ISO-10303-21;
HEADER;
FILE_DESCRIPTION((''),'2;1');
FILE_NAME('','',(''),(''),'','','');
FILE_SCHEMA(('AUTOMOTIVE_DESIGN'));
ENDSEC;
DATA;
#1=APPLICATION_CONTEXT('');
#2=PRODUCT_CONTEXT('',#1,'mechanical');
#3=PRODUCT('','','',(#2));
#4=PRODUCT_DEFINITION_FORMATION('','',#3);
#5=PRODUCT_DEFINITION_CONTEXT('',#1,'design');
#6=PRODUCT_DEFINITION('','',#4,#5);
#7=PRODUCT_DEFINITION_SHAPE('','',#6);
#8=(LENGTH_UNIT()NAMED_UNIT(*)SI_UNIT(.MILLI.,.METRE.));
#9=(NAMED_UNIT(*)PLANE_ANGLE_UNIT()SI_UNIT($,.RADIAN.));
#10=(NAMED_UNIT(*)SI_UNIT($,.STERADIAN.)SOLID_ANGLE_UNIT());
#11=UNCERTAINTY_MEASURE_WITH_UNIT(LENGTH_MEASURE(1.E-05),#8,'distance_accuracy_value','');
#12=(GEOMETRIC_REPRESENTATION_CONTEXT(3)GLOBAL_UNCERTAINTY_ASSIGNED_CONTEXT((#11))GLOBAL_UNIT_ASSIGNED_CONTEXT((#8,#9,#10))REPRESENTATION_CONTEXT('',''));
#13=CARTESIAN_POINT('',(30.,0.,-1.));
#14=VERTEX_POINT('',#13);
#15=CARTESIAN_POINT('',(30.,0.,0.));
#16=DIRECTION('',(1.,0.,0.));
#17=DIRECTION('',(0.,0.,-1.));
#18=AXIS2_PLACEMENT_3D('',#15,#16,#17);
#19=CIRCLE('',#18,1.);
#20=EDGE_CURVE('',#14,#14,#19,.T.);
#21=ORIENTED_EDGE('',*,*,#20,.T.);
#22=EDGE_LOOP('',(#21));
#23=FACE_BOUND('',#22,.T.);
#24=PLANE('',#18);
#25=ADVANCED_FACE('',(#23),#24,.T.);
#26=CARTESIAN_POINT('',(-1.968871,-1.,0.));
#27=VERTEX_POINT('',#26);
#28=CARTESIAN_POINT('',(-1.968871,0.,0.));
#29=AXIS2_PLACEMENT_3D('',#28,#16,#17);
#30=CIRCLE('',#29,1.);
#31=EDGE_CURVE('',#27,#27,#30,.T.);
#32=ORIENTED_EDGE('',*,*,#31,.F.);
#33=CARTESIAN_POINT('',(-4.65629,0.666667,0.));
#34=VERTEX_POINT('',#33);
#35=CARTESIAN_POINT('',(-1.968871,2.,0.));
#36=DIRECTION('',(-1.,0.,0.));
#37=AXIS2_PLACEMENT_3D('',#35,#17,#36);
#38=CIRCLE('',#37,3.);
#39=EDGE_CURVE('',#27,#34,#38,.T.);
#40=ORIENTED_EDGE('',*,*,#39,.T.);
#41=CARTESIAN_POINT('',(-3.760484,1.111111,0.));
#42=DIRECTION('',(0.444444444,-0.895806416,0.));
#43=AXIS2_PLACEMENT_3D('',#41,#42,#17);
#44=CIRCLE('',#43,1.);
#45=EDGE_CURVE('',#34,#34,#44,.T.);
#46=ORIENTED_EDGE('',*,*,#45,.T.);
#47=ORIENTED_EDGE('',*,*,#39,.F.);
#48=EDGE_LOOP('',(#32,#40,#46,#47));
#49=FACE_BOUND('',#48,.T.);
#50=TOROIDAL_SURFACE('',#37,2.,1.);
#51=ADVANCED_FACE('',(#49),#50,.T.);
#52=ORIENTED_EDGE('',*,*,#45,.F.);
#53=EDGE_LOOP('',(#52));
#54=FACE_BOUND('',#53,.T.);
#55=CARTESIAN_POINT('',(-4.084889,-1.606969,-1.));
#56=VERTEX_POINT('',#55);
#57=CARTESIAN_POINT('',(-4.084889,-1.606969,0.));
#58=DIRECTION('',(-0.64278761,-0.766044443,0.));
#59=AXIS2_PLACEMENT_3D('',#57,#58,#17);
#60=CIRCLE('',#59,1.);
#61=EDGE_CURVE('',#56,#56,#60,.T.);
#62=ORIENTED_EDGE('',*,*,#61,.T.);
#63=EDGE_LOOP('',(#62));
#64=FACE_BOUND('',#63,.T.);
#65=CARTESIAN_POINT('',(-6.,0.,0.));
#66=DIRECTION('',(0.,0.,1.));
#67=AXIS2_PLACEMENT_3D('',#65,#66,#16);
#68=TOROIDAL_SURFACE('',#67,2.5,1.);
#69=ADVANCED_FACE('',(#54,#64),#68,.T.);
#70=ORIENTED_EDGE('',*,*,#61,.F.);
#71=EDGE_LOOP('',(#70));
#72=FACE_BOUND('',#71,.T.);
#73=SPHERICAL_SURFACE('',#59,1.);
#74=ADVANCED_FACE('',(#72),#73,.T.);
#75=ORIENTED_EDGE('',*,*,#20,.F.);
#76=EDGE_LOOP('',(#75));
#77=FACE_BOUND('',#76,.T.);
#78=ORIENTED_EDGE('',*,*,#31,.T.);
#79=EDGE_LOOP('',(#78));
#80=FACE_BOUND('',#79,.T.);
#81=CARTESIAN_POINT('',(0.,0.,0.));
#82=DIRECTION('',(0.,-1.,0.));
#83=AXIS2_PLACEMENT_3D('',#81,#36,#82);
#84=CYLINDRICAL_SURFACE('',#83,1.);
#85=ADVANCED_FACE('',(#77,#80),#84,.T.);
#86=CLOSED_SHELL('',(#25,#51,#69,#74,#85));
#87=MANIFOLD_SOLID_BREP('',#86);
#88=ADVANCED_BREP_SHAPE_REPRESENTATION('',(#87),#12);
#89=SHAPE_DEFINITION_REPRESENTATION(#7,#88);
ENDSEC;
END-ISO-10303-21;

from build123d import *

# Parameters (mm, degrees)
SKETCH2_R           = 1
SKETCH3_R           = 1
BOSS_EXTRUDE1_DEPTH = 30
DOME1_FACE_RADIUS   = 1
DOME1_HEIGHT        = 1


with BuildPart() as part:
    # Sweep1: sweep along a path in Sketch1
    with BuildLine(Plane.XY) as sweep1_path:
        Line((0, 0), (-1.968871126, 0))
        ThreePointArc((-1.968871126, 0), (-3.022963679, 0.300326829), (-3.760483959, 1.111111111))
        ThreePointArc((-3.760483959, 1.111111111), (-8.482382241, 0.29627421), (-4.084888892, -1.606969024))
    # Sketch2 → Sweep1 (sweep)
    with BuildSketch(Plane(origin=(0, 0, 0), x_dir=(0, 0, -1), z_dir=(1, 0, 0))):
        Circle(SKETCH2_R)
    sweep(path=sweep1_path.line)

    # Sketch3 → Boss-Extrude1 (add)
    with BuildSketch(Plane(origin=(0, 0, 0), x_dir=(0, 0, -1), z_dir=(1, 0, 0))):
        with Locations(Location((0, 0, 0), (0, 0, 270))):
            Circle(SKETCH3_R)
    extrude(amount=BOSS_EXTRUDE1_DEPTH)

    # Dome1: a dome of height H over a round flat face of radius A is a cap of a sphere of radius (A * A + H * H) / (2 * H)
    dome1_r = (DOME1_FACE_RADIUS * DOME1_FACE_RADIUS + DOME1_HEIGHT * DOME1_HEIGHT) / (2 * DOME1_HEIGHT)
    dome1_base = Plane((-4.084888892, -1.606969024, 0), z_dir=(0.642787609687, 0.766044443119, 0))
    with Locations(dome1_base.offset(DOME1_HEIGHT - dome1_r)):
        dome1_ball = Sphere(dome1_r, mode=Mode.PRIVATE)
    add(split(dome1_ball, bisect_by=dome1_base, keep=Keep.TOP, mode=Mode.PRIVATE))


solid = part.part
